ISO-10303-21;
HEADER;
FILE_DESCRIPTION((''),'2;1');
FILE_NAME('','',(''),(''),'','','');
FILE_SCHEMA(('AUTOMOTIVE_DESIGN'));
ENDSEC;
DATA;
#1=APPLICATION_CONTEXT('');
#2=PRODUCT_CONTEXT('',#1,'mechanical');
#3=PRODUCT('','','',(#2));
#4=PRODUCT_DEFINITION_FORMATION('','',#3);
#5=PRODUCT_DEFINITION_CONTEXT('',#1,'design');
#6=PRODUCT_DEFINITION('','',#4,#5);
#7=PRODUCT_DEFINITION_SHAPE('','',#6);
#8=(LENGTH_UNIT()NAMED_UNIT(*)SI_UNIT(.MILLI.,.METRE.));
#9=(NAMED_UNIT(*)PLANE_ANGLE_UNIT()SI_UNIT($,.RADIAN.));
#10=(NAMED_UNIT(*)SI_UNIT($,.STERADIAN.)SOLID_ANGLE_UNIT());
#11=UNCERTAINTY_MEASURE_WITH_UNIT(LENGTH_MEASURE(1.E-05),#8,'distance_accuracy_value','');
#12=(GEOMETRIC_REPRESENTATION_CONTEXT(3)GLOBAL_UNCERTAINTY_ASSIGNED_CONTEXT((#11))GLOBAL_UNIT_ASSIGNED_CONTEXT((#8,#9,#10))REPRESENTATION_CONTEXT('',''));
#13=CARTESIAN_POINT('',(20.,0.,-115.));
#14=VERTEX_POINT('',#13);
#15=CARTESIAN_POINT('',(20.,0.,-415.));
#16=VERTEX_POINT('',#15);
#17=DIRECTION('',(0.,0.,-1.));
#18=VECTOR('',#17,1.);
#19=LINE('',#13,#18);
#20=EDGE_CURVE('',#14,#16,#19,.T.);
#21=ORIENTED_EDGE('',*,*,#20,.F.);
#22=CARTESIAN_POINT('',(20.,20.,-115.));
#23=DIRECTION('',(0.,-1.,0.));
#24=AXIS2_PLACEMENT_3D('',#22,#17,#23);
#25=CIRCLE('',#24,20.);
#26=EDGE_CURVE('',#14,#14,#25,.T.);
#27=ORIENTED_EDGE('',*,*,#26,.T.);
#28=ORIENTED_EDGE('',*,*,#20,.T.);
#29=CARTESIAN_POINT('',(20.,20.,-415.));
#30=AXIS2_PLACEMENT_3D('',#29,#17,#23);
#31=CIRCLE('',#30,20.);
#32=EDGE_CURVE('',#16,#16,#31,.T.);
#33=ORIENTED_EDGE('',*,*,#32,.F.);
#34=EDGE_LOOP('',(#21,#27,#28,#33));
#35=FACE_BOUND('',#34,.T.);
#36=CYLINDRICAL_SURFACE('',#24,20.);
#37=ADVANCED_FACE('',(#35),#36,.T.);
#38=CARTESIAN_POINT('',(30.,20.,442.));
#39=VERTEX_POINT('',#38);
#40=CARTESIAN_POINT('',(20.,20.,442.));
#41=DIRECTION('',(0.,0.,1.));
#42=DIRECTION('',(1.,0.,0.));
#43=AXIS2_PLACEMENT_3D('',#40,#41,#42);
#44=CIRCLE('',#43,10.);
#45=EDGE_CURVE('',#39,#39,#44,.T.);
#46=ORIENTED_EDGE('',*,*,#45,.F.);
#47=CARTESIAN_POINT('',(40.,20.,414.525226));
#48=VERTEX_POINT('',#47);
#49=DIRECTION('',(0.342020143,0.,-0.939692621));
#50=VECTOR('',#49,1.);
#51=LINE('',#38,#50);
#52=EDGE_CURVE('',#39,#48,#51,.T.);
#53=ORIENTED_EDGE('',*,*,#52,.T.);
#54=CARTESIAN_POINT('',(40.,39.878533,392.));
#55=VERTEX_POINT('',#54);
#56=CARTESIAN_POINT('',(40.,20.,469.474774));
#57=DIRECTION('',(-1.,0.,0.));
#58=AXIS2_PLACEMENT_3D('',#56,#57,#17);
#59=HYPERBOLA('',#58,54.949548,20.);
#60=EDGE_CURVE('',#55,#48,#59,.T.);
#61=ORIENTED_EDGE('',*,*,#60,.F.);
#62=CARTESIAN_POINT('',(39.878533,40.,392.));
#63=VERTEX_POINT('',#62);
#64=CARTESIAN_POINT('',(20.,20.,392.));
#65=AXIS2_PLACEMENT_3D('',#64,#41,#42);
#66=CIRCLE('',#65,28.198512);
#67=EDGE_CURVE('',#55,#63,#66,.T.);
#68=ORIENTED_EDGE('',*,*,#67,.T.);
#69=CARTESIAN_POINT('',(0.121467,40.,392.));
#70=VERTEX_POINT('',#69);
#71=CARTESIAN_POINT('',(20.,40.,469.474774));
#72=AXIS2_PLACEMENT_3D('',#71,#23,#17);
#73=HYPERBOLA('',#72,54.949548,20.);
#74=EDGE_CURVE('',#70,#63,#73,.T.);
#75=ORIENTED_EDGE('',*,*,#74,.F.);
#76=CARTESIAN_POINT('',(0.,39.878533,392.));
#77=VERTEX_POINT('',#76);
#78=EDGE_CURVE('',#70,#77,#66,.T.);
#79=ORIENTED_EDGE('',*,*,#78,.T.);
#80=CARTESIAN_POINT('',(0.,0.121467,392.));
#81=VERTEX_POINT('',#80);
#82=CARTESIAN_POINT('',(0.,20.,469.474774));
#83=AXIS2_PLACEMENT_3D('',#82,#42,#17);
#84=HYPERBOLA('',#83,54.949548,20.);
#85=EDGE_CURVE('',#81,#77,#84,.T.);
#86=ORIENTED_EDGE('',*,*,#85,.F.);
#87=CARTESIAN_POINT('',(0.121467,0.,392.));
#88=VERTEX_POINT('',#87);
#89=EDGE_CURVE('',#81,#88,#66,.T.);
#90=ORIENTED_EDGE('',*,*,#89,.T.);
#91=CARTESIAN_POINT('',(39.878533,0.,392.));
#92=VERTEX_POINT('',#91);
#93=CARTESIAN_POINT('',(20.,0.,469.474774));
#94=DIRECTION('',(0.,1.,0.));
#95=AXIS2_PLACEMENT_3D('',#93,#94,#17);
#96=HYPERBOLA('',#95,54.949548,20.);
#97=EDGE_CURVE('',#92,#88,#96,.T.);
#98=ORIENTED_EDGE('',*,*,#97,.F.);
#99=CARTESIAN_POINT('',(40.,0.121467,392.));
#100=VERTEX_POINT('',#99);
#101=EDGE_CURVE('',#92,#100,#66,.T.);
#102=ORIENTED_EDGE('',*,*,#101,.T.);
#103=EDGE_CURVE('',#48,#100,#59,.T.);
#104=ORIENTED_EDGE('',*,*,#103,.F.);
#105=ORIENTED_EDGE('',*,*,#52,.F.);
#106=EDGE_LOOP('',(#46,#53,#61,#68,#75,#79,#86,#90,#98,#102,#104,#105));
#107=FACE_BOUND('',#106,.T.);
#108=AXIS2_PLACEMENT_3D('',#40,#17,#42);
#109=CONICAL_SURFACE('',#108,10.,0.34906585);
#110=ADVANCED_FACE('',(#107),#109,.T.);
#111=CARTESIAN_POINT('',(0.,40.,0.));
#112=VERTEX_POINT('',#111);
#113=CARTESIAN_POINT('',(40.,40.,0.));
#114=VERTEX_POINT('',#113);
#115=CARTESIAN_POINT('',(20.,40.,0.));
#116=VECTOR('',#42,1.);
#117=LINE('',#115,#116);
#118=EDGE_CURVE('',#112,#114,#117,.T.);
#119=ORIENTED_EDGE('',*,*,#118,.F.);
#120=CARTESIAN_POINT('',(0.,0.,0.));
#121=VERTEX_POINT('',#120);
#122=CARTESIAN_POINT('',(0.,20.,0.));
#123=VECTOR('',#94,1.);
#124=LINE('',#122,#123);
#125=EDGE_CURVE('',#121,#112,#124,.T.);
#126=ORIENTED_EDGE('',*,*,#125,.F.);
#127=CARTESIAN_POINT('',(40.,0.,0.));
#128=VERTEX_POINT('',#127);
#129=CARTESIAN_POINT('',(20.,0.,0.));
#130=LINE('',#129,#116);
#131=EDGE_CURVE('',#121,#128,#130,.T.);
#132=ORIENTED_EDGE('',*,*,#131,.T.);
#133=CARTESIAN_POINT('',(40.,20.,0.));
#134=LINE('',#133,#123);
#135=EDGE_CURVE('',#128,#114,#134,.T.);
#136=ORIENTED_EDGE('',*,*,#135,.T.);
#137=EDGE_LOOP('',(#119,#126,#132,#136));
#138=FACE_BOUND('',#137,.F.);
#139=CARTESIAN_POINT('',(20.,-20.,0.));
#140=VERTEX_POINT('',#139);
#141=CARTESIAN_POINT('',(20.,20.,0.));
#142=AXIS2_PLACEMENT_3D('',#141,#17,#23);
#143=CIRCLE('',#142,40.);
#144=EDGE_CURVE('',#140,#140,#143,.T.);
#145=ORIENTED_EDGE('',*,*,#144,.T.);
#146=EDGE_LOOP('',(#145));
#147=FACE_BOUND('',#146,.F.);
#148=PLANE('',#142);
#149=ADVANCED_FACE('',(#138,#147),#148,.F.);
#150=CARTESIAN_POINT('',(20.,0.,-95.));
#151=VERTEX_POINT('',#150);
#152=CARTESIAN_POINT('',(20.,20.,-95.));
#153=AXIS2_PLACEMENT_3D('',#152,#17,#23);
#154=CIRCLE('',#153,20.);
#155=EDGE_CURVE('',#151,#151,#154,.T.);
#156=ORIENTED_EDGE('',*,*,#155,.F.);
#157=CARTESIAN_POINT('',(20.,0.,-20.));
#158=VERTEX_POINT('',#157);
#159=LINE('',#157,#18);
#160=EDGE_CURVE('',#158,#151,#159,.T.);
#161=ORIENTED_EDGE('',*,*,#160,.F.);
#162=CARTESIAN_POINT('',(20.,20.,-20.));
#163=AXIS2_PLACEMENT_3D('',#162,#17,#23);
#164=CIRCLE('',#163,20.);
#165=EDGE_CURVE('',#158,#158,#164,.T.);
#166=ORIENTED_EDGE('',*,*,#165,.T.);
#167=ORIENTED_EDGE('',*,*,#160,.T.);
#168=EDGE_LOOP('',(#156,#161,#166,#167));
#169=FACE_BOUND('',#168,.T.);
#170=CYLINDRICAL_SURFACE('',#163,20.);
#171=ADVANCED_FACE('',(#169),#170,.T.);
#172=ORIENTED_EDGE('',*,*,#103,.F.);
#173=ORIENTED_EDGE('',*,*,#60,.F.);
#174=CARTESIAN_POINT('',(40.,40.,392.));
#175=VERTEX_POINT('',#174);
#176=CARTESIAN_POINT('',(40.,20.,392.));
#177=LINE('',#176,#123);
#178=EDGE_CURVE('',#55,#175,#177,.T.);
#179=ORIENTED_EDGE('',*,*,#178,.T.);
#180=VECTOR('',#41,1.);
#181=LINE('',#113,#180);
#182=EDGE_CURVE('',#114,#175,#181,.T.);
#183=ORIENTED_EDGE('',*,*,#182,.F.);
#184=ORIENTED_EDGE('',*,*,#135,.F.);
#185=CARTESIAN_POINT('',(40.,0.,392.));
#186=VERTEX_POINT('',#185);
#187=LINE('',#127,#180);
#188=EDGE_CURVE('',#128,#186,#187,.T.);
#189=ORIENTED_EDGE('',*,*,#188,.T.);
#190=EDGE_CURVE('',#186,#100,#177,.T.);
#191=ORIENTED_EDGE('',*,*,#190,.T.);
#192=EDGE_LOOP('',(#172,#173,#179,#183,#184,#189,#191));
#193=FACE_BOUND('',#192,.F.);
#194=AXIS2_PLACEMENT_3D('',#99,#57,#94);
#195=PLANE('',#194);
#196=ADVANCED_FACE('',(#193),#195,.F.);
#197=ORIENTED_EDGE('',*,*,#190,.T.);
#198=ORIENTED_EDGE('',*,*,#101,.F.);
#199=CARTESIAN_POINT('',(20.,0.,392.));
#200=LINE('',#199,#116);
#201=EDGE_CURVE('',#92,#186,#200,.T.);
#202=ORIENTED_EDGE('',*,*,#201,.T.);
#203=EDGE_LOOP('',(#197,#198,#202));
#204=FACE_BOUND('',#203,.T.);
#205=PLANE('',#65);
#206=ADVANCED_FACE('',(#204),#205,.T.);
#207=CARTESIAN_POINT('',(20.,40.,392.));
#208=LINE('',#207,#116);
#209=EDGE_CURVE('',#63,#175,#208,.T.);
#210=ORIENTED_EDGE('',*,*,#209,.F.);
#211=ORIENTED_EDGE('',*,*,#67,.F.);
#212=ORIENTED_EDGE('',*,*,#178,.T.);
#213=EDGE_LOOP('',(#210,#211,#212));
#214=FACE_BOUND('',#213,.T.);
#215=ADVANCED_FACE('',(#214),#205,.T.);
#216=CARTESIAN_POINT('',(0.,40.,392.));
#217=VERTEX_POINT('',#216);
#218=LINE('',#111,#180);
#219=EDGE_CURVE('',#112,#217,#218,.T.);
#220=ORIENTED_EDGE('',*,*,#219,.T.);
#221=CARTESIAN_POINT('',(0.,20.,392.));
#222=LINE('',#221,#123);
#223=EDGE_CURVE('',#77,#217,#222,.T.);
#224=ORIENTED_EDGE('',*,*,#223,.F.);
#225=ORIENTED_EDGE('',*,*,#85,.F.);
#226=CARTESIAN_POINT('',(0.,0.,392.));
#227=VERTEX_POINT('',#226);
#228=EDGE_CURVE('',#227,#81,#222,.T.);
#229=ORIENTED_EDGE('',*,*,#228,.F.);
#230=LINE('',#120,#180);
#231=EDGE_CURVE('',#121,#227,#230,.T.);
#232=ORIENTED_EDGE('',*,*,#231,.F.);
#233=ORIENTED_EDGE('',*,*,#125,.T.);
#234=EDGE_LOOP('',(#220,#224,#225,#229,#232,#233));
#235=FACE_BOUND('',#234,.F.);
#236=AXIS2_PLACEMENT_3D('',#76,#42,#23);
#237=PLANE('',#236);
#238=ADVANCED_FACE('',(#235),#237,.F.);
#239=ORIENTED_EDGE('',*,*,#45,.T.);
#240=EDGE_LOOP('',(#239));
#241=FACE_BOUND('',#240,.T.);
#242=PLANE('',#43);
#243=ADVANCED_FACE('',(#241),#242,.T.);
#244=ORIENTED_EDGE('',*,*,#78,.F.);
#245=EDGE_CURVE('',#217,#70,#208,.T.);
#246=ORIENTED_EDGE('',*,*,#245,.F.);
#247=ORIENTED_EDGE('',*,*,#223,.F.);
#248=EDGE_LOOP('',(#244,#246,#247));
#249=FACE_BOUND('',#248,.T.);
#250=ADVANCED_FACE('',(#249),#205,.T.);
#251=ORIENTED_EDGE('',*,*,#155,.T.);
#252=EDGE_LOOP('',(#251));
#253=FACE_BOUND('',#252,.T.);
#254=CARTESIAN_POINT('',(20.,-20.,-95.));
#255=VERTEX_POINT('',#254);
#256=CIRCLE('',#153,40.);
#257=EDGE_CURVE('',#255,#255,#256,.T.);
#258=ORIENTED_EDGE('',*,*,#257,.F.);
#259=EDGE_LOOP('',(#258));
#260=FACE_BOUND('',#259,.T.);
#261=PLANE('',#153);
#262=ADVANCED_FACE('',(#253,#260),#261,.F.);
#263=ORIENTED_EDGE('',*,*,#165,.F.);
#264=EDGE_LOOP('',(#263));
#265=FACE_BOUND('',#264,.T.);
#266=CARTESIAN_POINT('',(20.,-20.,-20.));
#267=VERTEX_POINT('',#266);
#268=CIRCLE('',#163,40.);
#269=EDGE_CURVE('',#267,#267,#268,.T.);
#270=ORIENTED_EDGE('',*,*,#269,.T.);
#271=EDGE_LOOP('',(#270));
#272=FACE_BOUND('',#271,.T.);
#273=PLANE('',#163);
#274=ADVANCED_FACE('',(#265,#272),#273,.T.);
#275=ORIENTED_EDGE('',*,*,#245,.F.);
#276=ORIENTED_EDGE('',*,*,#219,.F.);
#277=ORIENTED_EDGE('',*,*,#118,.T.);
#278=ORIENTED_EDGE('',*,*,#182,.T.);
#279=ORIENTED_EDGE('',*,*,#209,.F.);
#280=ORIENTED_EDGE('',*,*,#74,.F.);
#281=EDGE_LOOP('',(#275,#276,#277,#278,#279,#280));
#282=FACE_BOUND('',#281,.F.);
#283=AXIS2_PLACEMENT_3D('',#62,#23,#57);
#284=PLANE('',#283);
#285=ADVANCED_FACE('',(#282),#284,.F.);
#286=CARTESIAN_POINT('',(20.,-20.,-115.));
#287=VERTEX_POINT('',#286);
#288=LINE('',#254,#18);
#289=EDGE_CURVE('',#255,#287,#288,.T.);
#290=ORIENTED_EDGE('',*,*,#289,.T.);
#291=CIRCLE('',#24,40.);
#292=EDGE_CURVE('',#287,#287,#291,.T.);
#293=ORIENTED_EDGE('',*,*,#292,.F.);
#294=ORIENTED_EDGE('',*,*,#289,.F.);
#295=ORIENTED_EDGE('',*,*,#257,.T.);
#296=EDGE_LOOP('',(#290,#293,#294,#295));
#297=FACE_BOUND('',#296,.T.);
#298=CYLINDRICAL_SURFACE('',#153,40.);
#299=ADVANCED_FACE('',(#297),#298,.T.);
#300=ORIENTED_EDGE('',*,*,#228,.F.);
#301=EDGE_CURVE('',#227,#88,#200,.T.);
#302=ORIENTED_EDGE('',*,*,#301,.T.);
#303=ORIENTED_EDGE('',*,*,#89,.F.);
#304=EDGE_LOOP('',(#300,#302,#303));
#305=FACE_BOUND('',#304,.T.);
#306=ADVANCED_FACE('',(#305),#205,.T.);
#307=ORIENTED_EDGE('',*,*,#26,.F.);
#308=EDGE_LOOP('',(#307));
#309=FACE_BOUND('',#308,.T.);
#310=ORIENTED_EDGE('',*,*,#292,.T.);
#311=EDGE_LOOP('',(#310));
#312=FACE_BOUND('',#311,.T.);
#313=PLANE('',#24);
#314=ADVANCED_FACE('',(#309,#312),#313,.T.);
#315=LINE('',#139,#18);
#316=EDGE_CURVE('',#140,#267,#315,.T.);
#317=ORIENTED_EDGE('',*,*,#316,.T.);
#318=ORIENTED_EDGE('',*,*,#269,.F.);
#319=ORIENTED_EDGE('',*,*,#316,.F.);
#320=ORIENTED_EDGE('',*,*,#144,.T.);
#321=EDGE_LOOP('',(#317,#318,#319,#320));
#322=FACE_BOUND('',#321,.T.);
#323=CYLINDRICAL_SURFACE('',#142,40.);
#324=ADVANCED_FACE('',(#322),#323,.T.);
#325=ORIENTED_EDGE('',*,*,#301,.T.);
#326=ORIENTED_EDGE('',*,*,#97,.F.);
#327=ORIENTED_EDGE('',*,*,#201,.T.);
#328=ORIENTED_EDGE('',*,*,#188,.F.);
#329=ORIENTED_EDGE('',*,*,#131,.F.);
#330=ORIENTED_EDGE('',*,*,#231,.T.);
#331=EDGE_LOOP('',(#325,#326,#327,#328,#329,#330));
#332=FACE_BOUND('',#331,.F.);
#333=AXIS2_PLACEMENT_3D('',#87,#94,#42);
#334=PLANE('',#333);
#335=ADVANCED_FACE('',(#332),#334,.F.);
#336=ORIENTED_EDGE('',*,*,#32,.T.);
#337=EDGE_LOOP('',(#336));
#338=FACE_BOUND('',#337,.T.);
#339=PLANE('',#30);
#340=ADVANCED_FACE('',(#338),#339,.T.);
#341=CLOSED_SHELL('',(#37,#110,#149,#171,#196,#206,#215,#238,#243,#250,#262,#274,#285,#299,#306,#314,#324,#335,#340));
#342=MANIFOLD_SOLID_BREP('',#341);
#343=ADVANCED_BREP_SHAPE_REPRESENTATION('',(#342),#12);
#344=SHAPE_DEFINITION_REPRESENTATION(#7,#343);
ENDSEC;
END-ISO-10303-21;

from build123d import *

# Parameters (mm, degrees)
ESQUISSE1_W             = 40
ESQUISSE1_H             = 40
BOSS_EXTRU_1_DEPTH      = 392
BOSS_EXTRU_2_START      = 50
ESQUISSE2_R             = 10
BOSS_EXTRU_2_DEPTH      = 50
BOSS_EXTRU_2_DRAFT      = 20
ENL_V_MAT_EXTRU_1_DEPTH = 398.882134636


with BuildPart() as part:
    # Esquisse1 → Boss.-Extru.1 (new body)
    with BuildSketch(Plane.XY):
        with Locations((20, 20)):
            Rectangle(ESQUISSE1_W, ESQUISSE1_H)
    extrude(amount=BOSS_EXTRU_1_DEPTH)


with BuildPart() as boss_extru_2_tool:
    # Esquisse2 → Boss.-Extru.2 (with draft: the straight prism first)
    with BuildSketch(Plane.XY.offset(392).offset(BOSS_EXTRU_2_START)):
        with Locations((20, 20)):
            Circle(ESQUISSE2_R)
    extrude(amount=-BOSS_EXTRU_2_DEPTH)
    # Boss.-Extru.2: the draft: its side faces are tilted about the plane it starts from
    boss_extru_2_sides = [boss_extru_2_tool.faces().sort_by_distance(p)[0] for p in [
        (10, 20, 417),
    ]]
    draft(boss_extru_2_sides, Plane.XY.offset(392).offset(BOSS_EXTRU_2_START), BOSS_EXTRU_2_DRAFT)


with BuildPart() as part_1:
    add(part.part)

    # Boss.-Extru.2: add boss_extru_2_tool
    add(boss_extru_2_tool.part)

    # Esquisse3 → Enlèv. mat.-Extru.1 (cut, through all)
    with BuildSketch(Plane(origin=(0, 0, 392), x_dir=(-1, 0, 0), z_dir=(0, 0, -1))):
        with BuildLine():
            ThreePointArc((-0.121467286, 40), (-20, 48.198511713), (-39.878532714, 40))
            Line((-39.878532714, 40), (-0.121467286, 40))
        make_face()
        with BuildLine():
            Line((-40, 0.121467286), (-40, 39.878532714))
            ThreePointArc((-40, 39.878532714), (-48.198511713, 20), (-40, 0.121467286))
        make_face()
        with BuildLine():
            ThreePointArc((0, 0.121467286), (8.198511713, 20), (0, 39.878532714))
            Line((0, 39.878532714), (0, 0.121467286))
        make_face()
        with BuildLine():
            Line((-0.121467286, 0), (-39.878532714, 0))
            ThreePointArc((-39.878532714, 0), (-20, -8.198511713), (-0.121467286, 0))
        make_face()
    extrude(amount=-ENL_V_MAT_EXTRU_1_DEPTH, mode=Mode.SUBTRACT)

    # Esquisse5 → Révolution1 (revolve)
    with BuildSketch(Plane(origin=(20, 0, 0), x_dir=(0, 0, -1), z_dir=(1, 0, 0))):
        Polygon((0, 40), (0, 60), (20, 60), (20, 40), (95, 40), (95, 60), (115, 60), (115, 40), (415, 40), (415, 20), (0, 20), align=None)
    revolve(axis=Axis((20, 20, 0), (0, 0, -1)))


solid = part_1.part
